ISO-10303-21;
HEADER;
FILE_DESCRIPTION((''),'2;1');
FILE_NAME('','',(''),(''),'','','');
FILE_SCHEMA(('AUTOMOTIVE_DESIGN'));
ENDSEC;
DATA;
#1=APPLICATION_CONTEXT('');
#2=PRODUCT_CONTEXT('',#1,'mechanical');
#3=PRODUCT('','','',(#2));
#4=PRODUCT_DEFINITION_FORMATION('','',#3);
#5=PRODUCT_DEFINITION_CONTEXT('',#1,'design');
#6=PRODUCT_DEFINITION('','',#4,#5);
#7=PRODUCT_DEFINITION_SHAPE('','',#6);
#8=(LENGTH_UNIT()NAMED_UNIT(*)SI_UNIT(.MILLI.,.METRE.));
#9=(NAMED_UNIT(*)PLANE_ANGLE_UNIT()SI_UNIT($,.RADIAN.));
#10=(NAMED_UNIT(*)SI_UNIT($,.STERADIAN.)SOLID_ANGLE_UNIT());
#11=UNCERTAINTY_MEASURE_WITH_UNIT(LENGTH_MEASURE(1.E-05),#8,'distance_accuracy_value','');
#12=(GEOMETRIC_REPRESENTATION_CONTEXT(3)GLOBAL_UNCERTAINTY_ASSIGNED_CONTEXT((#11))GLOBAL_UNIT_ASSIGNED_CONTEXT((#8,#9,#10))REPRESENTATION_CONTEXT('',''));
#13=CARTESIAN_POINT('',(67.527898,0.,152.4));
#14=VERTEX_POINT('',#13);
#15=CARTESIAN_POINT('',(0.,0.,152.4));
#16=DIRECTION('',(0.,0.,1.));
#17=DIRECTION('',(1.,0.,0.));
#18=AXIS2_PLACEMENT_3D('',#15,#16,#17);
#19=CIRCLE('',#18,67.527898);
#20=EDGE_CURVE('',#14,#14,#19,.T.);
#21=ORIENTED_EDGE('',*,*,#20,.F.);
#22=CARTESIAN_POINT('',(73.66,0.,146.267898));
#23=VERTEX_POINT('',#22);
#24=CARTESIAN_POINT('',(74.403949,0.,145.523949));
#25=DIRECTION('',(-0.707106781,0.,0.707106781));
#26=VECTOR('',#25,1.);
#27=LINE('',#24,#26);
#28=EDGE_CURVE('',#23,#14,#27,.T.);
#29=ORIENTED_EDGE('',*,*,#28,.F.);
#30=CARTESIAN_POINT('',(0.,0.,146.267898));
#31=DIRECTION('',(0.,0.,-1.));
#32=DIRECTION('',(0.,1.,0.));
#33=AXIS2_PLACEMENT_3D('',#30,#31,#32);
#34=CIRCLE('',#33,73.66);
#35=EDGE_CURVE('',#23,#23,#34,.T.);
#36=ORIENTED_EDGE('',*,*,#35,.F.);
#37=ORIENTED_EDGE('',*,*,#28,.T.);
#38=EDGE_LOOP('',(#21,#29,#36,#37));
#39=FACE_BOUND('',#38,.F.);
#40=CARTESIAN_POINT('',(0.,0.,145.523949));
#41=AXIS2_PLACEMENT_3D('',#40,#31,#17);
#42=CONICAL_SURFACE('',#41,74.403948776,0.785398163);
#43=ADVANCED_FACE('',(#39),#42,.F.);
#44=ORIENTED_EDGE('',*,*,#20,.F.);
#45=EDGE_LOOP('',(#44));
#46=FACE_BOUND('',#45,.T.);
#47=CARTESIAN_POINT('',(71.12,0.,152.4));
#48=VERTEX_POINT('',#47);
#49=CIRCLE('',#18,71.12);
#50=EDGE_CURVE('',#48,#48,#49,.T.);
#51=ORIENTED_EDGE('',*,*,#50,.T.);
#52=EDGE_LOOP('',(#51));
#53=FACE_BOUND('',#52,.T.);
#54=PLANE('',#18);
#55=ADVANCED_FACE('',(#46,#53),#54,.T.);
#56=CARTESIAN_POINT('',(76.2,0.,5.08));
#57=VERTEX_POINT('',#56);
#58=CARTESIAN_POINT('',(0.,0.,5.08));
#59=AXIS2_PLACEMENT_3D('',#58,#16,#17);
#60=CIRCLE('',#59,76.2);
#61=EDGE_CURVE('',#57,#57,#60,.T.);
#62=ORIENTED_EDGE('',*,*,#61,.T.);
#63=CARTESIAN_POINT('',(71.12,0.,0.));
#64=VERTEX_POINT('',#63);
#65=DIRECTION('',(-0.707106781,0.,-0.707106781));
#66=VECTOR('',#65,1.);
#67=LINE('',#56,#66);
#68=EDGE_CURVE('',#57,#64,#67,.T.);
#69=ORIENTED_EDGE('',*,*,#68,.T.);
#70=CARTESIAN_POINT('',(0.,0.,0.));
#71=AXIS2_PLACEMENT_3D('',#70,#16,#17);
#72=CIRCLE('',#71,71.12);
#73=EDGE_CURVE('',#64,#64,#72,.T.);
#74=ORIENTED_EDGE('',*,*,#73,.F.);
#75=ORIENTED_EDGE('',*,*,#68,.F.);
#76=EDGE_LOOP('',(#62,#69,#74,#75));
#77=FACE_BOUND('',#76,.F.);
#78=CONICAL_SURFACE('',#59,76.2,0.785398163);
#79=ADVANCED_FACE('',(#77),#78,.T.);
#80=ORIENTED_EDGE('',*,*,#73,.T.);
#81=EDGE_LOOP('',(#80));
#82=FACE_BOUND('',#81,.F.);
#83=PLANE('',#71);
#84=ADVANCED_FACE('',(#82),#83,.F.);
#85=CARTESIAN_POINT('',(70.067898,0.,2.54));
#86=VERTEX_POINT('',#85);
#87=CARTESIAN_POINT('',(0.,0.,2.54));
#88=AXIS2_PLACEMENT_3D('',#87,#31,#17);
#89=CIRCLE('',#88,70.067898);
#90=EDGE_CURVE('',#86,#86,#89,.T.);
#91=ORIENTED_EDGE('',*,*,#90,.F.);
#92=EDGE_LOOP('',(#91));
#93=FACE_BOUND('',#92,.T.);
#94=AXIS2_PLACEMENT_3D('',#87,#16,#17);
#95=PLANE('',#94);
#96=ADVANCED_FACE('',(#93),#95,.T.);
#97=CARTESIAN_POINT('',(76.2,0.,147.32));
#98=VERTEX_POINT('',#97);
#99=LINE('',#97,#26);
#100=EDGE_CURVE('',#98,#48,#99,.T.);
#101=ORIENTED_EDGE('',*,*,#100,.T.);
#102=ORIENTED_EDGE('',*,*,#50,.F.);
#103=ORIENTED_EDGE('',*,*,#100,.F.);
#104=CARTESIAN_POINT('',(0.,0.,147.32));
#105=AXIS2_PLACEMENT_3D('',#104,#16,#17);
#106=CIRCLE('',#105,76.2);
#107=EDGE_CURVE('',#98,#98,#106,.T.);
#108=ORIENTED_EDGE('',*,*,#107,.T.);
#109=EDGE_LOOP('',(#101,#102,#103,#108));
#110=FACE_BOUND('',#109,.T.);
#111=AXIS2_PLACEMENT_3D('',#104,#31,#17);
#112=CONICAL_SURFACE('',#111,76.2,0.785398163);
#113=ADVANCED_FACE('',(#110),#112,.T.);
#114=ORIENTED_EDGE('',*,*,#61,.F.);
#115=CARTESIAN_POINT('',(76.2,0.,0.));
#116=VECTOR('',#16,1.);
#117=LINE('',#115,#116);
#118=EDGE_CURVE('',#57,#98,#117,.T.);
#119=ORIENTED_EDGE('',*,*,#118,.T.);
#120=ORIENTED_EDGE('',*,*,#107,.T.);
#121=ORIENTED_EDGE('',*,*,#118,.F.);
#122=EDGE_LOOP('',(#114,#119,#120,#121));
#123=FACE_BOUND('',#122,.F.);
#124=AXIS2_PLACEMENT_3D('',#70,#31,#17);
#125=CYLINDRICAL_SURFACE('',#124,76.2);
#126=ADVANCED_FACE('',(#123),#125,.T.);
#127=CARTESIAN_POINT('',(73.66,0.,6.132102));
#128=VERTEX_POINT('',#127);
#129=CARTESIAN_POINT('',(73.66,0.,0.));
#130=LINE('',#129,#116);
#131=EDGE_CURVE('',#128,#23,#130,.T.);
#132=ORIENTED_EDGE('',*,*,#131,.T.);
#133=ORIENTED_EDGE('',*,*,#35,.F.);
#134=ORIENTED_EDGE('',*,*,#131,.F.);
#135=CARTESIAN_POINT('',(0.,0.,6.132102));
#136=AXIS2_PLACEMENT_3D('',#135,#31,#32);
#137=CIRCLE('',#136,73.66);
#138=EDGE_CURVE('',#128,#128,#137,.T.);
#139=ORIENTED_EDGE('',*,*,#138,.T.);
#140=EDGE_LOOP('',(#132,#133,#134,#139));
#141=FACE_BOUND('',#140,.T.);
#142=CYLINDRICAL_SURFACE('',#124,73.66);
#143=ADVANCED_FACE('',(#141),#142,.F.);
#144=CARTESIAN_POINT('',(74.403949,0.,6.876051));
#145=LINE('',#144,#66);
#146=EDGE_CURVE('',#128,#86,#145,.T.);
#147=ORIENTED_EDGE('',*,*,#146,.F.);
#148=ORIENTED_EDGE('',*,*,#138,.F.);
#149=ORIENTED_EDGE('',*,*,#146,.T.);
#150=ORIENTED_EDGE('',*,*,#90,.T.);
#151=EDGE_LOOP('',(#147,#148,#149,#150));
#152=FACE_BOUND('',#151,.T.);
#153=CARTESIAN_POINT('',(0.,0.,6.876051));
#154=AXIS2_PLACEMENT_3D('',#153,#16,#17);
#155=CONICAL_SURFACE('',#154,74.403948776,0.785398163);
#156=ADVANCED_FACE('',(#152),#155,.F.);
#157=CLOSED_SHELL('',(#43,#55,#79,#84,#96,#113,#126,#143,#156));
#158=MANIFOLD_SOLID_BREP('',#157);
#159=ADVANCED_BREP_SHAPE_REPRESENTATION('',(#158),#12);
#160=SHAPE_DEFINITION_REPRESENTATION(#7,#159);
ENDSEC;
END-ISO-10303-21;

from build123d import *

# Parameters (mm, degrees)
F0_R     = 76.2
F1_DEPTH = 152.4
F2_SIZE  = 5.08
F3_T     = -2.54


with BuildPart() as f1:
    # F0 (on Top) → F1 (new body)
    with BuildSketch(Plane.XY):
        Circle(F0_R)
    extrude(amount=F1_DEPTH)

    # F2
    f2_edges = [f1.edges().sort_by_distance(p)[0] for p in [
        (-76.2, 0, 152.4),
        (76.2, 0, 76.2),
        (-76.2, 0, 0),
    ]]
    chamfer(f2_edges, length=F2_SIZE)

    # F3
    f3_openings = [f1.faces().sort_by_distance(p)[0] for p in [
        (0, 0, 152.4),
    ]]
    offset(amount=F3_T, openings=f3_openings)


solid = f1.part
